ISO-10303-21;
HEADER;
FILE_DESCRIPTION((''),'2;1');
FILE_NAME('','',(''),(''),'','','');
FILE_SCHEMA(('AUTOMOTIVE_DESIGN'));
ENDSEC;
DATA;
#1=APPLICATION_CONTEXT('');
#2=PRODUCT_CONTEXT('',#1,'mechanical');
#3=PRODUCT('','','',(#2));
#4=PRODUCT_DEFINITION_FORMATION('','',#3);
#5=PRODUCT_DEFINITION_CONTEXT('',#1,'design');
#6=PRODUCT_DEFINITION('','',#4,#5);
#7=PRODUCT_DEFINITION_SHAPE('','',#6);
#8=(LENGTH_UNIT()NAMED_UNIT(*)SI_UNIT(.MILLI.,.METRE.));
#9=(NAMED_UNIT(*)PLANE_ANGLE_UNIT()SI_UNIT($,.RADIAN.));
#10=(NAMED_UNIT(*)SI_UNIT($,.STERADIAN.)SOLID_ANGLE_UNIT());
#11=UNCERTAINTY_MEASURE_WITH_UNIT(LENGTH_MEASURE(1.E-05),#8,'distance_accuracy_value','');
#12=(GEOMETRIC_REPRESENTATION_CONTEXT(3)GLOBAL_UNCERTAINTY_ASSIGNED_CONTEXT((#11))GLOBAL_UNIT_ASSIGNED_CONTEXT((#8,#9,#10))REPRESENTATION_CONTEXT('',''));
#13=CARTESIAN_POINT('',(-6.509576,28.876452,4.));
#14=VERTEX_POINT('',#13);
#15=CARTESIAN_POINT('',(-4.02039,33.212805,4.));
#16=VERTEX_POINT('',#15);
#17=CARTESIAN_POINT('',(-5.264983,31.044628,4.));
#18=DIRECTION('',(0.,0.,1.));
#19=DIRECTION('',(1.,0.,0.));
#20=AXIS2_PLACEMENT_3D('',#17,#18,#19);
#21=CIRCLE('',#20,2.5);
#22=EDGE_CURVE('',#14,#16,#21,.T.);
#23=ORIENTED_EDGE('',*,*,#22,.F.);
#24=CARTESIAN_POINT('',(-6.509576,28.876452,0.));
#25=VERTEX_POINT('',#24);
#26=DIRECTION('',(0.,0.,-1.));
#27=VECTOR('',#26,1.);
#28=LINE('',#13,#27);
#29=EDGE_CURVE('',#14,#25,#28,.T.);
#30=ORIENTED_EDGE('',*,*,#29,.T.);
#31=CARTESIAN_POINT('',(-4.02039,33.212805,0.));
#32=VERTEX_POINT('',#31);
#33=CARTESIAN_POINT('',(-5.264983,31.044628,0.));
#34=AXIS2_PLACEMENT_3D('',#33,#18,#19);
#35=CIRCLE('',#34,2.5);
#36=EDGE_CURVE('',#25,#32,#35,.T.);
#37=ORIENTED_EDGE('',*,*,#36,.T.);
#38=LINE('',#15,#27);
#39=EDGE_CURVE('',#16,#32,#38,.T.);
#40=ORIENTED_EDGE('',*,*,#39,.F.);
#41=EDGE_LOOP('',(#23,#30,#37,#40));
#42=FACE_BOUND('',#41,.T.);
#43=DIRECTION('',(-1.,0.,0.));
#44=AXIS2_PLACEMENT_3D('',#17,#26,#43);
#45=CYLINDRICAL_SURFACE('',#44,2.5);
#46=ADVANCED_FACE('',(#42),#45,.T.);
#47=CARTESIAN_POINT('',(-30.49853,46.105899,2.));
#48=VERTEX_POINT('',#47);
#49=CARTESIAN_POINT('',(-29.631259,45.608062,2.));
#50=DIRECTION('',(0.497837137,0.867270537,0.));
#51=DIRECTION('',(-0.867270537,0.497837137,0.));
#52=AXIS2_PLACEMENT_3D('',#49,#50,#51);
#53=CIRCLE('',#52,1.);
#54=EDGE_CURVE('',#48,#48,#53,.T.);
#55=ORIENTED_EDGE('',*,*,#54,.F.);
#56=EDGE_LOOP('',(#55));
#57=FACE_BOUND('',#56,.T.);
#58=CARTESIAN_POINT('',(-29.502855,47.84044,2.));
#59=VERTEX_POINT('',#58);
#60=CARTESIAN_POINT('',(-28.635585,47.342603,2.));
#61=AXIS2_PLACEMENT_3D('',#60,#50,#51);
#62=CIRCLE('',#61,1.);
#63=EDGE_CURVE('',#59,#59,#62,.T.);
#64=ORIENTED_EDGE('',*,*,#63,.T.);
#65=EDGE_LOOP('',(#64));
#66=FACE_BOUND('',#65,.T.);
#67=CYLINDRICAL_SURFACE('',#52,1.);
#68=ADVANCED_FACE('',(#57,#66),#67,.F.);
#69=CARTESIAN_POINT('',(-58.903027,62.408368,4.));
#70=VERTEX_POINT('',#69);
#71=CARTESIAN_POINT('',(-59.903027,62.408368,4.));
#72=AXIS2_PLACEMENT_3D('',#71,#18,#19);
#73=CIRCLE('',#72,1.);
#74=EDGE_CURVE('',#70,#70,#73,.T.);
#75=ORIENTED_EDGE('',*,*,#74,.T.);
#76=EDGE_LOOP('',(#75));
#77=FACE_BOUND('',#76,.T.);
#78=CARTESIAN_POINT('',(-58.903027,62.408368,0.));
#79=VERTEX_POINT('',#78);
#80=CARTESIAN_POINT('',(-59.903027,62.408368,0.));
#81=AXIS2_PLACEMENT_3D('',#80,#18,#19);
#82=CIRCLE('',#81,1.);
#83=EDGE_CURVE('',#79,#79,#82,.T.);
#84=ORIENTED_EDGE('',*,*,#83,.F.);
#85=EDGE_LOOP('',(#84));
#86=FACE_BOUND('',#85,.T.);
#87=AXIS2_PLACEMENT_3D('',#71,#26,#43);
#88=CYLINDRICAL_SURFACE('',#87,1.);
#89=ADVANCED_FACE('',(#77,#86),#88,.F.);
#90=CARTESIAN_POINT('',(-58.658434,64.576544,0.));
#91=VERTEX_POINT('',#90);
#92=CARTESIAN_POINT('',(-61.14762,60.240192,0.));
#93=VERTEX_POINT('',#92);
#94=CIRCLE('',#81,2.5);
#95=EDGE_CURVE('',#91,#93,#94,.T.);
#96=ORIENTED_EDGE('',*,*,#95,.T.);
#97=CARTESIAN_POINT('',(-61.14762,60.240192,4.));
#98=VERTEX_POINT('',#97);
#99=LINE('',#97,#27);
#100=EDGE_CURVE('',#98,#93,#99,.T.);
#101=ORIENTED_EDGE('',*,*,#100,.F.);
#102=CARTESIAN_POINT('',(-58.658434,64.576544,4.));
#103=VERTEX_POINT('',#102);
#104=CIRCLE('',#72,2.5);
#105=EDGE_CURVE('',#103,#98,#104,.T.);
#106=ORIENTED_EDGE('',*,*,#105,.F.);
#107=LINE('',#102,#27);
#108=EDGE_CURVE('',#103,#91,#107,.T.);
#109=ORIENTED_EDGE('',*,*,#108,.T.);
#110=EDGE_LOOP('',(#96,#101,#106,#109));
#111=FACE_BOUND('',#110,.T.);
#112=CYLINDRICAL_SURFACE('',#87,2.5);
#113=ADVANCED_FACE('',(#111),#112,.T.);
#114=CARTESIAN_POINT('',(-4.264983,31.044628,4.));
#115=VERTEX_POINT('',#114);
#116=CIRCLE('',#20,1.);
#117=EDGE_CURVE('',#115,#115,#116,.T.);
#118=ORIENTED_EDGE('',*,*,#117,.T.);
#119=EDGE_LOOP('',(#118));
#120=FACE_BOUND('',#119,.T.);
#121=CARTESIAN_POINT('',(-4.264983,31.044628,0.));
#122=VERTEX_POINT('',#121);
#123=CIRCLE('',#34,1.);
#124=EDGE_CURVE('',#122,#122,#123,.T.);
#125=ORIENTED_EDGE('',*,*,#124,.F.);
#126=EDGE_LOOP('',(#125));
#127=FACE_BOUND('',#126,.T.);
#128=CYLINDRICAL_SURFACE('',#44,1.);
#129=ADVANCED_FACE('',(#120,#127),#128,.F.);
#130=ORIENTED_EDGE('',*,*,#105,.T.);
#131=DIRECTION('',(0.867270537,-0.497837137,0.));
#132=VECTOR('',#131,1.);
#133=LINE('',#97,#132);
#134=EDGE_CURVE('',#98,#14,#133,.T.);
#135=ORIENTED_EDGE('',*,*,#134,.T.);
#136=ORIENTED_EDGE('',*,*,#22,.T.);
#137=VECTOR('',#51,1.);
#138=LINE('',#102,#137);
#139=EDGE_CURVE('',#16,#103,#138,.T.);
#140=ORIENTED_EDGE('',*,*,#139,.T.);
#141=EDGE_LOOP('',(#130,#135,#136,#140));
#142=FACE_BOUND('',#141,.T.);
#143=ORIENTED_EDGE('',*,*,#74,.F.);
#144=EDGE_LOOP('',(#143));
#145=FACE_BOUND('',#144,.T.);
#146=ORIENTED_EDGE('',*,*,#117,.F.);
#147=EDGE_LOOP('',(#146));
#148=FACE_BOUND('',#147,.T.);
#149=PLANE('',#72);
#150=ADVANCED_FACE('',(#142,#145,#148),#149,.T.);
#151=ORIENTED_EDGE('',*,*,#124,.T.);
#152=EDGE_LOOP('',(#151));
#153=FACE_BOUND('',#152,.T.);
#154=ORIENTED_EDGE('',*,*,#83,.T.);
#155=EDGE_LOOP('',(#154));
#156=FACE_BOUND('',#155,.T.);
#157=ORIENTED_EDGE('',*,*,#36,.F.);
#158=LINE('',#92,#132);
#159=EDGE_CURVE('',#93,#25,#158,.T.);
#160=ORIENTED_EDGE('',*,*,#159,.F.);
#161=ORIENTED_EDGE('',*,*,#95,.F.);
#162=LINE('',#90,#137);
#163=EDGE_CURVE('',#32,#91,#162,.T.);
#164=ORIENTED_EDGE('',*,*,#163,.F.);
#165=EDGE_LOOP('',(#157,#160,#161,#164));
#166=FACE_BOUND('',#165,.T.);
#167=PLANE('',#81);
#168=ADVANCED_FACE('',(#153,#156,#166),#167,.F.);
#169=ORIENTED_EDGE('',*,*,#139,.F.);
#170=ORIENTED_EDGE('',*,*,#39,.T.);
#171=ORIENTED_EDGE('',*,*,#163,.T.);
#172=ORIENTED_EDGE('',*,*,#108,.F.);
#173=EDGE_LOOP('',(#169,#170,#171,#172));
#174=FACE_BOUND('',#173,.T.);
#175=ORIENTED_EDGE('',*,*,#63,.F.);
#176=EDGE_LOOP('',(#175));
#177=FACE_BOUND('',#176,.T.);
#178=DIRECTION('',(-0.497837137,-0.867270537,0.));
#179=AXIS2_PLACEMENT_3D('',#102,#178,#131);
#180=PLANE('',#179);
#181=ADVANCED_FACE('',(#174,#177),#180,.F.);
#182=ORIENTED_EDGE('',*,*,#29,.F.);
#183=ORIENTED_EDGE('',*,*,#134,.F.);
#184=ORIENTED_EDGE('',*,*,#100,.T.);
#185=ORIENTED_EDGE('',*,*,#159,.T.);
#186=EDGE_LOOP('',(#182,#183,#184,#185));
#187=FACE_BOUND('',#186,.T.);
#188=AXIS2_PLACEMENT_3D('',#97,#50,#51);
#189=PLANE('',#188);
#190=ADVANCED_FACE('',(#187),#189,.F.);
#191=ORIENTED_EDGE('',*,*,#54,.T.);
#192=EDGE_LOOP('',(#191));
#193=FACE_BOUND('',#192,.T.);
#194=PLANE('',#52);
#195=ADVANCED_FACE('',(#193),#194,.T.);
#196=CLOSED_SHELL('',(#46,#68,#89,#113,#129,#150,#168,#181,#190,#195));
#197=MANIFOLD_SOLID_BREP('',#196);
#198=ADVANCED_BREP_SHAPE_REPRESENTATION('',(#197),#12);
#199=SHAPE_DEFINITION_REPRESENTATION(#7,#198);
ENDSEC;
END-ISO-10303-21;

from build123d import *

# Parameters (mm, degrees)
SKETCH1_R           = 1
BOSS_EXTRUDE1_DEPTH = 4
SKETCH2_R           = 1
CUT_EXTRUDE1_DEPTH  = 2


with BuildPart() as part:
    # Sketch1 → Boss-Extrude1 (new body)
    with BuildSketch(Plane.XY):
        with BuildLine():
            Line((-58.658434206, 64.576544266), (-4.020390364, 33.212804613))
            ThreePointArc((-4.020390364, 33.212804613), (-3.096806864, 29.800035426), (-6.509576051, 28.876451927))
            Line((-6.509576051, 28.876451927), (-61.147619893, 60.24019158))
            ThreePointArc((-61.147619893, 60.24019158), (-62.071203393, 63.652960767), (-58.658434206, 64.576544266))
        make_face()
        with Locations((-59.90302705, 62.408367923)):
            Circle(SKETCH1_R, mode=Mode.SUBTRACT)
        with Locations((-5.264983207, 31.04462827)):
            Circle(SKETCH1_R, mode=Mode.SUBTRACT)
    extrude(amount=BOSS_EXTRUDE1_DEPTH)

    # Sketch2 → Cut-Extrude1 (cut)
    with BuildSketch(Plane(origin=(13.343522454, 23.245441166, 0), x_dir=(0.8672705371832455, -0.49783713735908147, 0), z_dir=(0.49783713735908147, 0.8672705371832455, 0))):
        with Locations(Location((-48.403705156, -2, 0), (0, 0, 180))):
            Circle(SKETCH2_R)
    extrude(amount=-CUT_EXTRUDE1_DEPTH, mode=Mode.SUBTRACT)


solid = part.part
